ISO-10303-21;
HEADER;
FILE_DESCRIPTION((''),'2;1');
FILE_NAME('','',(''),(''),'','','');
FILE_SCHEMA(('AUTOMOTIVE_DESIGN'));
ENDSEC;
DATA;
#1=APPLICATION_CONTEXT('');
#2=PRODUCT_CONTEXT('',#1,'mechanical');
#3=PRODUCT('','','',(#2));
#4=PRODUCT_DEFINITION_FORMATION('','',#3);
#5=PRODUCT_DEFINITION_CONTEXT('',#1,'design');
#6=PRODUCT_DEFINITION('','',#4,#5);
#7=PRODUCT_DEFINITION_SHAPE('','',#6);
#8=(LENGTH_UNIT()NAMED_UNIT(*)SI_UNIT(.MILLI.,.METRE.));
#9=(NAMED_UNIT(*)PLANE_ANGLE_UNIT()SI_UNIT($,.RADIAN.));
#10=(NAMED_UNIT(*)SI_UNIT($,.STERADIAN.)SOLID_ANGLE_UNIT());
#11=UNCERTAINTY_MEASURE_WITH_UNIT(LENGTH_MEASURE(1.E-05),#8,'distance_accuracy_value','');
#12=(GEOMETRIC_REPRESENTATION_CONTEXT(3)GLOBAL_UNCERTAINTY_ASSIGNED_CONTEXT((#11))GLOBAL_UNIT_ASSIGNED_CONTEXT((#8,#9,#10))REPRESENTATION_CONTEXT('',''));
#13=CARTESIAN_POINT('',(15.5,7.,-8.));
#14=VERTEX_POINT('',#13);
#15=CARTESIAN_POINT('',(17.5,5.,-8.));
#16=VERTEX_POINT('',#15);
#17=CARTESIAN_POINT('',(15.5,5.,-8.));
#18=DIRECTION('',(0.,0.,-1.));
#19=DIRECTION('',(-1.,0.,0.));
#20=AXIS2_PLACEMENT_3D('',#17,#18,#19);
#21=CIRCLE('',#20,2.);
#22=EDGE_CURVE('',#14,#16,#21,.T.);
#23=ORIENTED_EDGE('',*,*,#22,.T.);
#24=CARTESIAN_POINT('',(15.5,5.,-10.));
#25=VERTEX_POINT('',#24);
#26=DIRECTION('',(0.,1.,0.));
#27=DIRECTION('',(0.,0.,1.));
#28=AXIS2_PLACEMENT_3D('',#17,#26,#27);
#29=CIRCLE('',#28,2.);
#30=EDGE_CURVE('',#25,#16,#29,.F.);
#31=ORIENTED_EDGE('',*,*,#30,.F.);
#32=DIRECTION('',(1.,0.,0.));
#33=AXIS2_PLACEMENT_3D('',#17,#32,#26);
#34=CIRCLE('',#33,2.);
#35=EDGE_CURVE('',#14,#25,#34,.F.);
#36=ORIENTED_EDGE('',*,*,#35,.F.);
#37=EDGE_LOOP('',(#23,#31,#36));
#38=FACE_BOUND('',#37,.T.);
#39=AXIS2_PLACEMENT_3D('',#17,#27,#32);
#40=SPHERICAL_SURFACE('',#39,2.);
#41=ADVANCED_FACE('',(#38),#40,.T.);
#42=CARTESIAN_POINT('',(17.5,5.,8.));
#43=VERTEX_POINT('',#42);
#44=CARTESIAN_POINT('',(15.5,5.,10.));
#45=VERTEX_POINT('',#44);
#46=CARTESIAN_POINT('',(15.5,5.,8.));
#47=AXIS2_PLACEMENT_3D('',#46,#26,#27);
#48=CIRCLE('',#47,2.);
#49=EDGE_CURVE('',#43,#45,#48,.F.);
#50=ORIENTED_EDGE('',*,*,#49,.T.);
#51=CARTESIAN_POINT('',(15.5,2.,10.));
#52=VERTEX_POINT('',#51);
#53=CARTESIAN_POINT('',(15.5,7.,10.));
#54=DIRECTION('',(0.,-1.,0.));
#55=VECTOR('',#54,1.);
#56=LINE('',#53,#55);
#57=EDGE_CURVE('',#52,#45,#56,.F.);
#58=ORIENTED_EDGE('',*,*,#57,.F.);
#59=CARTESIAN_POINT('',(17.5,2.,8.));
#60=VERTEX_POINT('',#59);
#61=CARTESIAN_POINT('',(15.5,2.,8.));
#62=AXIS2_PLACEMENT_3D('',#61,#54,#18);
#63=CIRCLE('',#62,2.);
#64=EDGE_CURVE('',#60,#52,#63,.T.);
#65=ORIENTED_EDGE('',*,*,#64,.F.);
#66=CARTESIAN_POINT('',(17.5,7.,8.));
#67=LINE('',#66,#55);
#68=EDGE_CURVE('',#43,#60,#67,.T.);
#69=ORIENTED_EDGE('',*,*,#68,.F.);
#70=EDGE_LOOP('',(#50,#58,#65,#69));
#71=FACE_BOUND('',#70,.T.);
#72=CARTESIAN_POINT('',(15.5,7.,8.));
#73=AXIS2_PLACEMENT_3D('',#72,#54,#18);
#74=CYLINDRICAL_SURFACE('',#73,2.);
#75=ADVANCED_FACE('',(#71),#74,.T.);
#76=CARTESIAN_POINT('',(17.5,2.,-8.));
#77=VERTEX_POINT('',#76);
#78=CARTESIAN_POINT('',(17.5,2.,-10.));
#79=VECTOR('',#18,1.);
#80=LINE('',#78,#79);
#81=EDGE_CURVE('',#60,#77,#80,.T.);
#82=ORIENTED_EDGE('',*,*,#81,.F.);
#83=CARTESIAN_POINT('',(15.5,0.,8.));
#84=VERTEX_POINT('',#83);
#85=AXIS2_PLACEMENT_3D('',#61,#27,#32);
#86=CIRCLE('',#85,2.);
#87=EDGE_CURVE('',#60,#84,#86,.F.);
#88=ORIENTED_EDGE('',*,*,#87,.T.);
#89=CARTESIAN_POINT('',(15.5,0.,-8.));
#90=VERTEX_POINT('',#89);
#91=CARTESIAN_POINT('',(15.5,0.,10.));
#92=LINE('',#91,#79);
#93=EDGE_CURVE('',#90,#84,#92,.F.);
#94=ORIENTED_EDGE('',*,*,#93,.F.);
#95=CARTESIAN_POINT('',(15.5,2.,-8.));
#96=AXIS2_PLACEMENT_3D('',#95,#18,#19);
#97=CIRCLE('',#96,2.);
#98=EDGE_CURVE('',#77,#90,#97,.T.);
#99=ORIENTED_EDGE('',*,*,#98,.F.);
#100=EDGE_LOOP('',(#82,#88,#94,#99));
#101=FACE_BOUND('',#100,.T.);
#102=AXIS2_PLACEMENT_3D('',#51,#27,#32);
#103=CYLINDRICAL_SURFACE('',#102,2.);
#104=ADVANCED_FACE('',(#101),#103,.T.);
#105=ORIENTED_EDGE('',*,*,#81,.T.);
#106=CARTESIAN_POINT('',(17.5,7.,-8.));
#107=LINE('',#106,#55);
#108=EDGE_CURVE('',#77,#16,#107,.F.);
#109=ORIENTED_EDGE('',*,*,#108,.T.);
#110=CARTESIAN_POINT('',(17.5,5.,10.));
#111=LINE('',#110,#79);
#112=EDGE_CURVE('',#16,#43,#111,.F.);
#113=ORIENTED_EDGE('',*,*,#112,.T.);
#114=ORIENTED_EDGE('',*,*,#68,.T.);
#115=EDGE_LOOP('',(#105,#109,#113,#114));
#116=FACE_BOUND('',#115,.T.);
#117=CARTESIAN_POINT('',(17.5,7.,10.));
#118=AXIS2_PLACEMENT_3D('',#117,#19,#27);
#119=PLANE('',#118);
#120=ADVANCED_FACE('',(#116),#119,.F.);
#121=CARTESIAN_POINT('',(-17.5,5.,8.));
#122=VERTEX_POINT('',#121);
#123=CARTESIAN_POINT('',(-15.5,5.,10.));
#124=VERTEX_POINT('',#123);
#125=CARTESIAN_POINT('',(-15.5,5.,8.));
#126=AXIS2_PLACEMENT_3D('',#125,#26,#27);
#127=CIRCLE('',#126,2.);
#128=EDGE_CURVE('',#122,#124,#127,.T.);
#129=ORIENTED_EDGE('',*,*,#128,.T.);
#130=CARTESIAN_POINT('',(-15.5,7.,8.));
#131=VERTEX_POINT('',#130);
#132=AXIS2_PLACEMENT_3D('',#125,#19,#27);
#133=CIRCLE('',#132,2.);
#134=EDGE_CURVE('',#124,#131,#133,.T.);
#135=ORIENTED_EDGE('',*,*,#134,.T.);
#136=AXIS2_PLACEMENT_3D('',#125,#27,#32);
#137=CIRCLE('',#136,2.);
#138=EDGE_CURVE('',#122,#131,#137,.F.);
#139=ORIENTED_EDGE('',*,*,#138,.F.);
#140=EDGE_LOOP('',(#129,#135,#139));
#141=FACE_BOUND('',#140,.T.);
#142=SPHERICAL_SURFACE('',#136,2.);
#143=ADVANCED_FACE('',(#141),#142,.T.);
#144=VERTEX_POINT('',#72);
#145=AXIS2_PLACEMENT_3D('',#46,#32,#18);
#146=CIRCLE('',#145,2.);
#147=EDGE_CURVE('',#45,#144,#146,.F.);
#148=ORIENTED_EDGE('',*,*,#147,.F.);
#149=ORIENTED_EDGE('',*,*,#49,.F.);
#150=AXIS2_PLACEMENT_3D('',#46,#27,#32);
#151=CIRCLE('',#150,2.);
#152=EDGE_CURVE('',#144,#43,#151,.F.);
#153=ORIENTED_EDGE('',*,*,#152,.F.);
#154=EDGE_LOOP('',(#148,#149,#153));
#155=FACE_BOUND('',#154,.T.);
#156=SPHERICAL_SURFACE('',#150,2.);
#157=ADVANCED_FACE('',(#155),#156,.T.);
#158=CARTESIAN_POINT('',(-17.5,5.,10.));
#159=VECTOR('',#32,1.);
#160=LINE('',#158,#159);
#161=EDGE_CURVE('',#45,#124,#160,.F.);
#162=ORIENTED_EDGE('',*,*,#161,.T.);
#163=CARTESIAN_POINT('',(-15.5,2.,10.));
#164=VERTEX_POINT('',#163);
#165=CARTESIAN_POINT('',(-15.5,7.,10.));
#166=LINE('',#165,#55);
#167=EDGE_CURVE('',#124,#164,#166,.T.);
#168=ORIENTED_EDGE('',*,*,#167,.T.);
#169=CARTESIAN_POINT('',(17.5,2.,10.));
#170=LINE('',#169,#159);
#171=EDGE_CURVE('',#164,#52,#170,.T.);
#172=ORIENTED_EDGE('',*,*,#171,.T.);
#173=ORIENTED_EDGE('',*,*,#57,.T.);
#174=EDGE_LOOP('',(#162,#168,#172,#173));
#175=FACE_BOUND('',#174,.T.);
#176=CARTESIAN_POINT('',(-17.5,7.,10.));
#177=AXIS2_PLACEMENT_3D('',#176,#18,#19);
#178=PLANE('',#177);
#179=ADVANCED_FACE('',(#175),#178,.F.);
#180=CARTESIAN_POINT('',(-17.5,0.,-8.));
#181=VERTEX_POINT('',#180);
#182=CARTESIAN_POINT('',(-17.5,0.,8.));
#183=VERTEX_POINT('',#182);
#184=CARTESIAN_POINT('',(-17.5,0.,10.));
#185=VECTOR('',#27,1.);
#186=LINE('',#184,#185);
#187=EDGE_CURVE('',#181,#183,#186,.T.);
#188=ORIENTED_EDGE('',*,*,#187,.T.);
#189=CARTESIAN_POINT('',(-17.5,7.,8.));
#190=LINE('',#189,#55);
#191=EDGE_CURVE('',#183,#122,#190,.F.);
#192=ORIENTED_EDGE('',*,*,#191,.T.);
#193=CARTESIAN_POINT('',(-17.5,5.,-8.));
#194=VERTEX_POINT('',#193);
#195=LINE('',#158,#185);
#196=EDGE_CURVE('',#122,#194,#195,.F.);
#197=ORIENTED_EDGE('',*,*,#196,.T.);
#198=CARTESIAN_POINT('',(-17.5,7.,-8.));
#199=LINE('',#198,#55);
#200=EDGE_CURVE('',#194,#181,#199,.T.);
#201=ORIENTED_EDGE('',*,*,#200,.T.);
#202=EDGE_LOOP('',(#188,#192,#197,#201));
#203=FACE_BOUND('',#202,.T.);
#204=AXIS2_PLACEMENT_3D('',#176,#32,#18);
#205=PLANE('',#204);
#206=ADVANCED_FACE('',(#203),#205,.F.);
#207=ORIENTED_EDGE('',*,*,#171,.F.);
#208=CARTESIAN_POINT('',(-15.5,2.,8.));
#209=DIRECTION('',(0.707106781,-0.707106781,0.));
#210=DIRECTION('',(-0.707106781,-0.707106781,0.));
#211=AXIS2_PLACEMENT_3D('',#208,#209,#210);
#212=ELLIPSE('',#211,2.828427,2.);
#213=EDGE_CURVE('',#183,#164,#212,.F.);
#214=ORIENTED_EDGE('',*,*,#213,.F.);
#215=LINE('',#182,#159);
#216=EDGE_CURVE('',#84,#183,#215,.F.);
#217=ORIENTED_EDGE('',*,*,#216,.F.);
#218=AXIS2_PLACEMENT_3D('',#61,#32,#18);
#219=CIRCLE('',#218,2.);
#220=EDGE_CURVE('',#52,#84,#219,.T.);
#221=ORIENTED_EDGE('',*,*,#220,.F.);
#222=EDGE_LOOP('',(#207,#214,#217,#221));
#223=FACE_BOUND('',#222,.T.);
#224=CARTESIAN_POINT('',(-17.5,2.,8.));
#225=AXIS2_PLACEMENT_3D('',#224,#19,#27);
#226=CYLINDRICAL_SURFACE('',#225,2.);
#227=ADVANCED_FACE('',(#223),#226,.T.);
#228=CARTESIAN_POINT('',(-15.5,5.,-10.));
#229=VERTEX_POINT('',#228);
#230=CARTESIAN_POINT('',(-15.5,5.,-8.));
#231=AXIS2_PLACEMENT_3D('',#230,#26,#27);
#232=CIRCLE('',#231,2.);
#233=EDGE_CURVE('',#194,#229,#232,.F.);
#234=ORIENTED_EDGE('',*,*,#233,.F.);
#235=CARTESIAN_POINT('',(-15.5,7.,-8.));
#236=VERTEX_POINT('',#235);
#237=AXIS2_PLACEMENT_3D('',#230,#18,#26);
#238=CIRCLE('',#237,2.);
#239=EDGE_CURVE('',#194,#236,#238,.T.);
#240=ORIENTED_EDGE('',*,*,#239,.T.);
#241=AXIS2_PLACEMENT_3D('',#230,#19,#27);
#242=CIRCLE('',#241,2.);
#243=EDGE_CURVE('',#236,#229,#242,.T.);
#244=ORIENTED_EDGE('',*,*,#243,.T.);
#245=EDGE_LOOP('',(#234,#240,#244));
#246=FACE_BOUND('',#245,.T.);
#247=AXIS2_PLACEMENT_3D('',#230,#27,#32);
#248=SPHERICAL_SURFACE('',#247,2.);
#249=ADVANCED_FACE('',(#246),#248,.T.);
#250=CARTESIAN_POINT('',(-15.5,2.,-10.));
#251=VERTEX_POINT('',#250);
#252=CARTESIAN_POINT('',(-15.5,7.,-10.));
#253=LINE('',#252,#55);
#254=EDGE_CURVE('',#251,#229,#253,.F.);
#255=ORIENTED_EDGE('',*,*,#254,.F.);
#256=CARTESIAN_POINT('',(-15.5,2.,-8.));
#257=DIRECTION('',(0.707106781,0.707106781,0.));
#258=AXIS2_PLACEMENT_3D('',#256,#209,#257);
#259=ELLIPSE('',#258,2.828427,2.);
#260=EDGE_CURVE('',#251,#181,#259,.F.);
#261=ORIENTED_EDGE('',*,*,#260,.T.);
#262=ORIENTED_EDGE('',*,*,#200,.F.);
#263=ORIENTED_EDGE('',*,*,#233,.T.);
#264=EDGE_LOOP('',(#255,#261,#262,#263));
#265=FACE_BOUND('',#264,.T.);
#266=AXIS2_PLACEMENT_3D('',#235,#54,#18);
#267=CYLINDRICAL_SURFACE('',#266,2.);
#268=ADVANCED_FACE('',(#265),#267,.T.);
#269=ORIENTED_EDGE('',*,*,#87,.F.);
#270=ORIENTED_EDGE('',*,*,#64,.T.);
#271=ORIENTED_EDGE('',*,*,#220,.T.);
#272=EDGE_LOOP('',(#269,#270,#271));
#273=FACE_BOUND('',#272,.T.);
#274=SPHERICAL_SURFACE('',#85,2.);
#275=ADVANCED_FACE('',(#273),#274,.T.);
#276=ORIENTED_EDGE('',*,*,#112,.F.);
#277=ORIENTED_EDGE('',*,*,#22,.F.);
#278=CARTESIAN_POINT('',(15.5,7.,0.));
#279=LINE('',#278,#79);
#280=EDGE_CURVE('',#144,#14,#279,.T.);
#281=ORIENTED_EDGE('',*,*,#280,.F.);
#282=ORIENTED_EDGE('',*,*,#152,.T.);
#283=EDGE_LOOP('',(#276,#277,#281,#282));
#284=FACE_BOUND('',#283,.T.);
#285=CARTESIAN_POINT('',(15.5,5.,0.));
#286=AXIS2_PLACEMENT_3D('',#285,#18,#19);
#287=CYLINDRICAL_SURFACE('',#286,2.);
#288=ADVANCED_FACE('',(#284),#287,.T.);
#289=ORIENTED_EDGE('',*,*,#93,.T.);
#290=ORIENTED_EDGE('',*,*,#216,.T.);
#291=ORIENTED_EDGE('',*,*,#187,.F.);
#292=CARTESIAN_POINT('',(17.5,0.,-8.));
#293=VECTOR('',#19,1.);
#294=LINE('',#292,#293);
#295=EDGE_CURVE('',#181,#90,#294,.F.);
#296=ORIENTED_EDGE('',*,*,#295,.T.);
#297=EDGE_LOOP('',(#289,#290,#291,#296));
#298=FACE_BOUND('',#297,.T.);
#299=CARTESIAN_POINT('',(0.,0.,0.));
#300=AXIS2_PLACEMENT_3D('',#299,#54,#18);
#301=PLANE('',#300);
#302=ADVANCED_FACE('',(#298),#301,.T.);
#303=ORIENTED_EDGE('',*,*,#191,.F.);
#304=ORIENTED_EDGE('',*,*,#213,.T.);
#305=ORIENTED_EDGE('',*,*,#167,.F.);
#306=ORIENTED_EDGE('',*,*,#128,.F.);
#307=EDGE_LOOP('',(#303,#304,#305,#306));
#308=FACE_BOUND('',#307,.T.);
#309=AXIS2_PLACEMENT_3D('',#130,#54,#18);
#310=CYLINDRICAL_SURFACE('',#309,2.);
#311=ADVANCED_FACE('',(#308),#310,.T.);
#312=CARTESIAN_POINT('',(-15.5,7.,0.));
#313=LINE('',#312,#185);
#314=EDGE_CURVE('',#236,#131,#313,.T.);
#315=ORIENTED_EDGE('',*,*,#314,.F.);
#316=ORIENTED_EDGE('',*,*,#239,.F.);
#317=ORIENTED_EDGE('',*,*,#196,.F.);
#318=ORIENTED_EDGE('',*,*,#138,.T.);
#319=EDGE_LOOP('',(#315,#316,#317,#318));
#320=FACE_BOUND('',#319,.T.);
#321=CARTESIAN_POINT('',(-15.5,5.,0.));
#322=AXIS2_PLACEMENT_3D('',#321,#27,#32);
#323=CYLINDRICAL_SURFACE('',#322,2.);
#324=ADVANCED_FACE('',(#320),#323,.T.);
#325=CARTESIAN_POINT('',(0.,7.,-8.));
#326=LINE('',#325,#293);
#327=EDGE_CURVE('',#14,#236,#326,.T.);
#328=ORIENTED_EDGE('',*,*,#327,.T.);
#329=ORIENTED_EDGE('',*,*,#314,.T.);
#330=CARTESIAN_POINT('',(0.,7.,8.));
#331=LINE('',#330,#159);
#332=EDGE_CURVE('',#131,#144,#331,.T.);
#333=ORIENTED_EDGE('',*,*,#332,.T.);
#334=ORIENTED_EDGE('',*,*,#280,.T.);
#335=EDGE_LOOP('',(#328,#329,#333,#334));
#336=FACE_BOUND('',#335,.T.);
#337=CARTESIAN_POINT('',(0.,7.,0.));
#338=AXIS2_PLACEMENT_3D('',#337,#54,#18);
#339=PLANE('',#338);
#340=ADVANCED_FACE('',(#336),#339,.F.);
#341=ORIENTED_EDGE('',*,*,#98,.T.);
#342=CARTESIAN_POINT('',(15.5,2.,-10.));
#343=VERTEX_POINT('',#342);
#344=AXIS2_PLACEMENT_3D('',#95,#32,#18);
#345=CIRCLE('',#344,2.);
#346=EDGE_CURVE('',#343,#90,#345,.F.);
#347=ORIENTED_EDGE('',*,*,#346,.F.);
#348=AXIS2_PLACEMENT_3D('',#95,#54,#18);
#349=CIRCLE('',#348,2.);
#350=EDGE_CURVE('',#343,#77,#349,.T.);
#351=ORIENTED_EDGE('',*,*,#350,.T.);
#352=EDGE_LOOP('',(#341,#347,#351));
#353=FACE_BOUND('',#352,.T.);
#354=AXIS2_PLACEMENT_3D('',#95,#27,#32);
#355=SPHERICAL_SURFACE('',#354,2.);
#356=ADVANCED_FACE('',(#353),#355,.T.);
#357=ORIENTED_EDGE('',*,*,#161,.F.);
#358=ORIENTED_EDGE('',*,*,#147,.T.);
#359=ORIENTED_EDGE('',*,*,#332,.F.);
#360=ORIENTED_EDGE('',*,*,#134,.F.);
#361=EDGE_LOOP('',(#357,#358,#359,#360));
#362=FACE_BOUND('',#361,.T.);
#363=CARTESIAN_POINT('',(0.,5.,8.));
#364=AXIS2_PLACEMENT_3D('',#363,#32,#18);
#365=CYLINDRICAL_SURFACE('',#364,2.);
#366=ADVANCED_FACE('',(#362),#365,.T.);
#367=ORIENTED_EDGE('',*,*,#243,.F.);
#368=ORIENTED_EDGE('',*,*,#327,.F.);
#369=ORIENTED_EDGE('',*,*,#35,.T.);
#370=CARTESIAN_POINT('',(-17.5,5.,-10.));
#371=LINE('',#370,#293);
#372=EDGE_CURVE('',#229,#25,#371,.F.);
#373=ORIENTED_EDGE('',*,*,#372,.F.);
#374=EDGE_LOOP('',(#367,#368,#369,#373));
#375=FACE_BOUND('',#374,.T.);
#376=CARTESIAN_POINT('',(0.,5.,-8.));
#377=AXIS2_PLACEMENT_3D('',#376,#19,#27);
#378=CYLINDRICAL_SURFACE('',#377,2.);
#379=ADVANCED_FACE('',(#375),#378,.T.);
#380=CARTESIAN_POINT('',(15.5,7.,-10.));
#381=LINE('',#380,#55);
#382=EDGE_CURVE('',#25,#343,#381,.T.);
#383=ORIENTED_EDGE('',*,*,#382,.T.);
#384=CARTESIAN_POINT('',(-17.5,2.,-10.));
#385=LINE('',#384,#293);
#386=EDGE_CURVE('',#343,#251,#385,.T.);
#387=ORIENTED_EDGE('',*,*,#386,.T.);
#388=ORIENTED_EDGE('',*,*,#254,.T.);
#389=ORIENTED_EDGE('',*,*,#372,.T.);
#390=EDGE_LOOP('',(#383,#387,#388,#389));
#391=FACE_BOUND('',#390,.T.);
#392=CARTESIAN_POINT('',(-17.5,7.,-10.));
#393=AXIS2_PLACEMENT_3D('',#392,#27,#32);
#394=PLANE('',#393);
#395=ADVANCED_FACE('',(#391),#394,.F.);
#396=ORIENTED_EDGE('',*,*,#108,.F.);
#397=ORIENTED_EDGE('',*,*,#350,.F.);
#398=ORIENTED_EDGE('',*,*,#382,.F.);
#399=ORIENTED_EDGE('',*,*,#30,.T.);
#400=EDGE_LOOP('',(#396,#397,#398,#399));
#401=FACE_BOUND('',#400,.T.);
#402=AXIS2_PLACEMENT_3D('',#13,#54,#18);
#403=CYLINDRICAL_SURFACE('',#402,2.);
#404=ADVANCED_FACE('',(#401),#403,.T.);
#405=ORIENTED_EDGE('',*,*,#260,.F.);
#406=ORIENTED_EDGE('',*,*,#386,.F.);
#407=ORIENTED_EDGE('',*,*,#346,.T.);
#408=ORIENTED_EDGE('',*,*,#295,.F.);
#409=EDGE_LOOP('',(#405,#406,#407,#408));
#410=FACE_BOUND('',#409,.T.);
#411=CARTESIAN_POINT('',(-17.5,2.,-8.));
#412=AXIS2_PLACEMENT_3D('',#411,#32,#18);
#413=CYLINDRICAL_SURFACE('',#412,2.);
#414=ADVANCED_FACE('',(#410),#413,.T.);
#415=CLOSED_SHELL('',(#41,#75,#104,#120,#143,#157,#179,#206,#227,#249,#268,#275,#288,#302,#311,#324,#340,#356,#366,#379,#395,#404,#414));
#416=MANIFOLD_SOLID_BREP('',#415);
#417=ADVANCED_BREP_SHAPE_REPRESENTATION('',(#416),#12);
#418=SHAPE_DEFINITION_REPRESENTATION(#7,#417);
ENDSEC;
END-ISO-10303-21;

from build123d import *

# Parameters (mm, degrees)
CROQUIS1_W              = 35
CROQUIS1_H              = 20
SALIENTE_EXTRUIR1_DEPTH = 7
REDONDEO1_R             = 2


with BuildPart() as part:
    # Croquis1 → Saliente-Extruir1 (new body)
    with BuildSketch(Plane(origin=(0, 0, 0), x_dir=(1, 0, 0), z_dir=(0, 1, 0))):
        Rectangle(CROQUIS1_W, CROQUIS1_H)
    extrude(amount=SALIENTE_EXTRUIR1_DEPTH)

    # Redondeo1
    redondeo1_edges = [part.edges().sort_by_distance(p)[0] for p in [
        (-17.5, 7, 0),
        (0, 7, 10),
        (17.5, 7, 0),
        (0, 0, 10),
        (0, 0, -10),
        (17.5, 0, 0),
        (0, 7, -10),
        (17.5, 3.5, 10),
        (-17.5, 3.5, 10),
        (-17.5, 3.5, -10),
        (17.5, 3.5, -10),
    ]]
    fillet(redondeo1_edges, radius=REDONDEO1_R)


solid = part.part
